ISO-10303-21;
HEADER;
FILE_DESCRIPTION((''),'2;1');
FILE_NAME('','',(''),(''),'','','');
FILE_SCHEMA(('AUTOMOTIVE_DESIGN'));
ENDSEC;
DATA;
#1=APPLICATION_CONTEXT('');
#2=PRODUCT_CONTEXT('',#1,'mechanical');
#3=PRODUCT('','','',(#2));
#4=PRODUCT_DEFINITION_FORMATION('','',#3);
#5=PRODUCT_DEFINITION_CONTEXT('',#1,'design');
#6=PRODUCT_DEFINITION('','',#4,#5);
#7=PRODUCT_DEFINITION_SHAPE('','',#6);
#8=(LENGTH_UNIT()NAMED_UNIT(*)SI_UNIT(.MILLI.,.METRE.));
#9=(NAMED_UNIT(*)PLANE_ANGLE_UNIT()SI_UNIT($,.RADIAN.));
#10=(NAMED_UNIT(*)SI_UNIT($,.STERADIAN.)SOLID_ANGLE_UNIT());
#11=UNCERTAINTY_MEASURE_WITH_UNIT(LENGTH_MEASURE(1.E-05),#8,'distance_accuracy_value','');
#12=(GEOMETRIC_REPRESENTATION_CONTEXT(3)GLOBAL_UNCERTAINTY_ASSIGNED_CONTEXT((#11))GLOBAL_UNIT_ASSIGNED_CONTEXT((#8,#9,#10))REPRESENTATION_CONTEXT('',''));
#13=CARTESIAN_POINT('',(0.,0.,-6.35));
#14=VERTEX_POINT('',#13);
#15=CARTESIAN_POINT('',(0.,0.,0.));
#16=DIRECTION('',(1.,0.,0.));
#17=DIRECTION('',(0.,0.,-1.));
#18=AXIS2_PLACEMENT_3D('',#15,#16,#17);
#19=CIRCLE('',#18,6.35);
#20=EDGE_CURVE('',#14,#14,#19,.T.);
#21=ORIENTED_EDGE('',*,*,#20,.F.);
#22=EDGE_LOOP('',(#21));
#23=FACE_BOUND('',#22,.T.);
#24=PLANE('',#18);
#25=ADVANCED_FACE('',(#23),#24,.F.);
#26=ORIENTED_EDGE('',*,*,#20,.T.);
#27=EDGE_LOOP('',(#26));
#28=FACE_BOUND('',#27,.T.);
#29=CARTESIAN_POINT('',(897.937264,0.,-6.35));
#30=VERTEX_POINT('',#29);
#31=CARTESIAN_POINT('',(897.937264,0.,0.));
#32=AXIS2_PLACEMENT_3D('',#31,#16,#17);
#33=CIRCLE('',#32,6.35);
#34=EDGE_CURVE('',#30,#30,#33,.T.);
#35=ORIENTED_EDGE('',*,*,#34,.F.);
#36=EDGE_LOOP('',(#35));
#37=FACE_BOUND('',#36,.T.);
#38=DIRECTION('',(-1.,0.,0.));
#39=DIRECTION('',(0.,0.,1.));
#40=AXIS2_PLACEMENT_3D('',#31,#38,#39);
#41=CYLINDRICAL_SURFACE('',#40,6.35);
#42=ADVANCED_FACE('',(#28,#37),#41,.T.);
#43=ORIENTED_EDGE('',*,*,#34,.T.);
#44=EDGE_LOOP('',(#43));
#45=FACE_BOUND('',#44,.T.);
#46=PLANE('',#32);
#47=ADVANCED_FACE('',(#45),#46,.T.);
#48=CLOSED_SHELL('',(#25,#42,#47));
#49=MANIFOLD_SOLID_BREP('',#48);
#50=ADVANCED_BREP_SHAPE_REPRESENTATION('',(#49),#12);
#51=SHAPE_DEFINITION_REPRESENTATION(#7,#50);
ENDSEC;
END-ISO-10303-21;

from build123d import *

# Parameters (mm, degrees)
SKETCH1_R           = 6.35
BOSS_EXTRUDE1_DEPTH = 897.937263729


with BuildPart() as part:
    # Sketch1 → Boss-Extrude1 (new body)
    with BuildSketch(Plane.YZ):
        with Locations(Location((0, 0, 0), (0, 0, 270))):
            Circle(SKETCH1_R)
    extrude(amount=BOSS_EXTRUDE1_DEPTH)


solid = part.part
